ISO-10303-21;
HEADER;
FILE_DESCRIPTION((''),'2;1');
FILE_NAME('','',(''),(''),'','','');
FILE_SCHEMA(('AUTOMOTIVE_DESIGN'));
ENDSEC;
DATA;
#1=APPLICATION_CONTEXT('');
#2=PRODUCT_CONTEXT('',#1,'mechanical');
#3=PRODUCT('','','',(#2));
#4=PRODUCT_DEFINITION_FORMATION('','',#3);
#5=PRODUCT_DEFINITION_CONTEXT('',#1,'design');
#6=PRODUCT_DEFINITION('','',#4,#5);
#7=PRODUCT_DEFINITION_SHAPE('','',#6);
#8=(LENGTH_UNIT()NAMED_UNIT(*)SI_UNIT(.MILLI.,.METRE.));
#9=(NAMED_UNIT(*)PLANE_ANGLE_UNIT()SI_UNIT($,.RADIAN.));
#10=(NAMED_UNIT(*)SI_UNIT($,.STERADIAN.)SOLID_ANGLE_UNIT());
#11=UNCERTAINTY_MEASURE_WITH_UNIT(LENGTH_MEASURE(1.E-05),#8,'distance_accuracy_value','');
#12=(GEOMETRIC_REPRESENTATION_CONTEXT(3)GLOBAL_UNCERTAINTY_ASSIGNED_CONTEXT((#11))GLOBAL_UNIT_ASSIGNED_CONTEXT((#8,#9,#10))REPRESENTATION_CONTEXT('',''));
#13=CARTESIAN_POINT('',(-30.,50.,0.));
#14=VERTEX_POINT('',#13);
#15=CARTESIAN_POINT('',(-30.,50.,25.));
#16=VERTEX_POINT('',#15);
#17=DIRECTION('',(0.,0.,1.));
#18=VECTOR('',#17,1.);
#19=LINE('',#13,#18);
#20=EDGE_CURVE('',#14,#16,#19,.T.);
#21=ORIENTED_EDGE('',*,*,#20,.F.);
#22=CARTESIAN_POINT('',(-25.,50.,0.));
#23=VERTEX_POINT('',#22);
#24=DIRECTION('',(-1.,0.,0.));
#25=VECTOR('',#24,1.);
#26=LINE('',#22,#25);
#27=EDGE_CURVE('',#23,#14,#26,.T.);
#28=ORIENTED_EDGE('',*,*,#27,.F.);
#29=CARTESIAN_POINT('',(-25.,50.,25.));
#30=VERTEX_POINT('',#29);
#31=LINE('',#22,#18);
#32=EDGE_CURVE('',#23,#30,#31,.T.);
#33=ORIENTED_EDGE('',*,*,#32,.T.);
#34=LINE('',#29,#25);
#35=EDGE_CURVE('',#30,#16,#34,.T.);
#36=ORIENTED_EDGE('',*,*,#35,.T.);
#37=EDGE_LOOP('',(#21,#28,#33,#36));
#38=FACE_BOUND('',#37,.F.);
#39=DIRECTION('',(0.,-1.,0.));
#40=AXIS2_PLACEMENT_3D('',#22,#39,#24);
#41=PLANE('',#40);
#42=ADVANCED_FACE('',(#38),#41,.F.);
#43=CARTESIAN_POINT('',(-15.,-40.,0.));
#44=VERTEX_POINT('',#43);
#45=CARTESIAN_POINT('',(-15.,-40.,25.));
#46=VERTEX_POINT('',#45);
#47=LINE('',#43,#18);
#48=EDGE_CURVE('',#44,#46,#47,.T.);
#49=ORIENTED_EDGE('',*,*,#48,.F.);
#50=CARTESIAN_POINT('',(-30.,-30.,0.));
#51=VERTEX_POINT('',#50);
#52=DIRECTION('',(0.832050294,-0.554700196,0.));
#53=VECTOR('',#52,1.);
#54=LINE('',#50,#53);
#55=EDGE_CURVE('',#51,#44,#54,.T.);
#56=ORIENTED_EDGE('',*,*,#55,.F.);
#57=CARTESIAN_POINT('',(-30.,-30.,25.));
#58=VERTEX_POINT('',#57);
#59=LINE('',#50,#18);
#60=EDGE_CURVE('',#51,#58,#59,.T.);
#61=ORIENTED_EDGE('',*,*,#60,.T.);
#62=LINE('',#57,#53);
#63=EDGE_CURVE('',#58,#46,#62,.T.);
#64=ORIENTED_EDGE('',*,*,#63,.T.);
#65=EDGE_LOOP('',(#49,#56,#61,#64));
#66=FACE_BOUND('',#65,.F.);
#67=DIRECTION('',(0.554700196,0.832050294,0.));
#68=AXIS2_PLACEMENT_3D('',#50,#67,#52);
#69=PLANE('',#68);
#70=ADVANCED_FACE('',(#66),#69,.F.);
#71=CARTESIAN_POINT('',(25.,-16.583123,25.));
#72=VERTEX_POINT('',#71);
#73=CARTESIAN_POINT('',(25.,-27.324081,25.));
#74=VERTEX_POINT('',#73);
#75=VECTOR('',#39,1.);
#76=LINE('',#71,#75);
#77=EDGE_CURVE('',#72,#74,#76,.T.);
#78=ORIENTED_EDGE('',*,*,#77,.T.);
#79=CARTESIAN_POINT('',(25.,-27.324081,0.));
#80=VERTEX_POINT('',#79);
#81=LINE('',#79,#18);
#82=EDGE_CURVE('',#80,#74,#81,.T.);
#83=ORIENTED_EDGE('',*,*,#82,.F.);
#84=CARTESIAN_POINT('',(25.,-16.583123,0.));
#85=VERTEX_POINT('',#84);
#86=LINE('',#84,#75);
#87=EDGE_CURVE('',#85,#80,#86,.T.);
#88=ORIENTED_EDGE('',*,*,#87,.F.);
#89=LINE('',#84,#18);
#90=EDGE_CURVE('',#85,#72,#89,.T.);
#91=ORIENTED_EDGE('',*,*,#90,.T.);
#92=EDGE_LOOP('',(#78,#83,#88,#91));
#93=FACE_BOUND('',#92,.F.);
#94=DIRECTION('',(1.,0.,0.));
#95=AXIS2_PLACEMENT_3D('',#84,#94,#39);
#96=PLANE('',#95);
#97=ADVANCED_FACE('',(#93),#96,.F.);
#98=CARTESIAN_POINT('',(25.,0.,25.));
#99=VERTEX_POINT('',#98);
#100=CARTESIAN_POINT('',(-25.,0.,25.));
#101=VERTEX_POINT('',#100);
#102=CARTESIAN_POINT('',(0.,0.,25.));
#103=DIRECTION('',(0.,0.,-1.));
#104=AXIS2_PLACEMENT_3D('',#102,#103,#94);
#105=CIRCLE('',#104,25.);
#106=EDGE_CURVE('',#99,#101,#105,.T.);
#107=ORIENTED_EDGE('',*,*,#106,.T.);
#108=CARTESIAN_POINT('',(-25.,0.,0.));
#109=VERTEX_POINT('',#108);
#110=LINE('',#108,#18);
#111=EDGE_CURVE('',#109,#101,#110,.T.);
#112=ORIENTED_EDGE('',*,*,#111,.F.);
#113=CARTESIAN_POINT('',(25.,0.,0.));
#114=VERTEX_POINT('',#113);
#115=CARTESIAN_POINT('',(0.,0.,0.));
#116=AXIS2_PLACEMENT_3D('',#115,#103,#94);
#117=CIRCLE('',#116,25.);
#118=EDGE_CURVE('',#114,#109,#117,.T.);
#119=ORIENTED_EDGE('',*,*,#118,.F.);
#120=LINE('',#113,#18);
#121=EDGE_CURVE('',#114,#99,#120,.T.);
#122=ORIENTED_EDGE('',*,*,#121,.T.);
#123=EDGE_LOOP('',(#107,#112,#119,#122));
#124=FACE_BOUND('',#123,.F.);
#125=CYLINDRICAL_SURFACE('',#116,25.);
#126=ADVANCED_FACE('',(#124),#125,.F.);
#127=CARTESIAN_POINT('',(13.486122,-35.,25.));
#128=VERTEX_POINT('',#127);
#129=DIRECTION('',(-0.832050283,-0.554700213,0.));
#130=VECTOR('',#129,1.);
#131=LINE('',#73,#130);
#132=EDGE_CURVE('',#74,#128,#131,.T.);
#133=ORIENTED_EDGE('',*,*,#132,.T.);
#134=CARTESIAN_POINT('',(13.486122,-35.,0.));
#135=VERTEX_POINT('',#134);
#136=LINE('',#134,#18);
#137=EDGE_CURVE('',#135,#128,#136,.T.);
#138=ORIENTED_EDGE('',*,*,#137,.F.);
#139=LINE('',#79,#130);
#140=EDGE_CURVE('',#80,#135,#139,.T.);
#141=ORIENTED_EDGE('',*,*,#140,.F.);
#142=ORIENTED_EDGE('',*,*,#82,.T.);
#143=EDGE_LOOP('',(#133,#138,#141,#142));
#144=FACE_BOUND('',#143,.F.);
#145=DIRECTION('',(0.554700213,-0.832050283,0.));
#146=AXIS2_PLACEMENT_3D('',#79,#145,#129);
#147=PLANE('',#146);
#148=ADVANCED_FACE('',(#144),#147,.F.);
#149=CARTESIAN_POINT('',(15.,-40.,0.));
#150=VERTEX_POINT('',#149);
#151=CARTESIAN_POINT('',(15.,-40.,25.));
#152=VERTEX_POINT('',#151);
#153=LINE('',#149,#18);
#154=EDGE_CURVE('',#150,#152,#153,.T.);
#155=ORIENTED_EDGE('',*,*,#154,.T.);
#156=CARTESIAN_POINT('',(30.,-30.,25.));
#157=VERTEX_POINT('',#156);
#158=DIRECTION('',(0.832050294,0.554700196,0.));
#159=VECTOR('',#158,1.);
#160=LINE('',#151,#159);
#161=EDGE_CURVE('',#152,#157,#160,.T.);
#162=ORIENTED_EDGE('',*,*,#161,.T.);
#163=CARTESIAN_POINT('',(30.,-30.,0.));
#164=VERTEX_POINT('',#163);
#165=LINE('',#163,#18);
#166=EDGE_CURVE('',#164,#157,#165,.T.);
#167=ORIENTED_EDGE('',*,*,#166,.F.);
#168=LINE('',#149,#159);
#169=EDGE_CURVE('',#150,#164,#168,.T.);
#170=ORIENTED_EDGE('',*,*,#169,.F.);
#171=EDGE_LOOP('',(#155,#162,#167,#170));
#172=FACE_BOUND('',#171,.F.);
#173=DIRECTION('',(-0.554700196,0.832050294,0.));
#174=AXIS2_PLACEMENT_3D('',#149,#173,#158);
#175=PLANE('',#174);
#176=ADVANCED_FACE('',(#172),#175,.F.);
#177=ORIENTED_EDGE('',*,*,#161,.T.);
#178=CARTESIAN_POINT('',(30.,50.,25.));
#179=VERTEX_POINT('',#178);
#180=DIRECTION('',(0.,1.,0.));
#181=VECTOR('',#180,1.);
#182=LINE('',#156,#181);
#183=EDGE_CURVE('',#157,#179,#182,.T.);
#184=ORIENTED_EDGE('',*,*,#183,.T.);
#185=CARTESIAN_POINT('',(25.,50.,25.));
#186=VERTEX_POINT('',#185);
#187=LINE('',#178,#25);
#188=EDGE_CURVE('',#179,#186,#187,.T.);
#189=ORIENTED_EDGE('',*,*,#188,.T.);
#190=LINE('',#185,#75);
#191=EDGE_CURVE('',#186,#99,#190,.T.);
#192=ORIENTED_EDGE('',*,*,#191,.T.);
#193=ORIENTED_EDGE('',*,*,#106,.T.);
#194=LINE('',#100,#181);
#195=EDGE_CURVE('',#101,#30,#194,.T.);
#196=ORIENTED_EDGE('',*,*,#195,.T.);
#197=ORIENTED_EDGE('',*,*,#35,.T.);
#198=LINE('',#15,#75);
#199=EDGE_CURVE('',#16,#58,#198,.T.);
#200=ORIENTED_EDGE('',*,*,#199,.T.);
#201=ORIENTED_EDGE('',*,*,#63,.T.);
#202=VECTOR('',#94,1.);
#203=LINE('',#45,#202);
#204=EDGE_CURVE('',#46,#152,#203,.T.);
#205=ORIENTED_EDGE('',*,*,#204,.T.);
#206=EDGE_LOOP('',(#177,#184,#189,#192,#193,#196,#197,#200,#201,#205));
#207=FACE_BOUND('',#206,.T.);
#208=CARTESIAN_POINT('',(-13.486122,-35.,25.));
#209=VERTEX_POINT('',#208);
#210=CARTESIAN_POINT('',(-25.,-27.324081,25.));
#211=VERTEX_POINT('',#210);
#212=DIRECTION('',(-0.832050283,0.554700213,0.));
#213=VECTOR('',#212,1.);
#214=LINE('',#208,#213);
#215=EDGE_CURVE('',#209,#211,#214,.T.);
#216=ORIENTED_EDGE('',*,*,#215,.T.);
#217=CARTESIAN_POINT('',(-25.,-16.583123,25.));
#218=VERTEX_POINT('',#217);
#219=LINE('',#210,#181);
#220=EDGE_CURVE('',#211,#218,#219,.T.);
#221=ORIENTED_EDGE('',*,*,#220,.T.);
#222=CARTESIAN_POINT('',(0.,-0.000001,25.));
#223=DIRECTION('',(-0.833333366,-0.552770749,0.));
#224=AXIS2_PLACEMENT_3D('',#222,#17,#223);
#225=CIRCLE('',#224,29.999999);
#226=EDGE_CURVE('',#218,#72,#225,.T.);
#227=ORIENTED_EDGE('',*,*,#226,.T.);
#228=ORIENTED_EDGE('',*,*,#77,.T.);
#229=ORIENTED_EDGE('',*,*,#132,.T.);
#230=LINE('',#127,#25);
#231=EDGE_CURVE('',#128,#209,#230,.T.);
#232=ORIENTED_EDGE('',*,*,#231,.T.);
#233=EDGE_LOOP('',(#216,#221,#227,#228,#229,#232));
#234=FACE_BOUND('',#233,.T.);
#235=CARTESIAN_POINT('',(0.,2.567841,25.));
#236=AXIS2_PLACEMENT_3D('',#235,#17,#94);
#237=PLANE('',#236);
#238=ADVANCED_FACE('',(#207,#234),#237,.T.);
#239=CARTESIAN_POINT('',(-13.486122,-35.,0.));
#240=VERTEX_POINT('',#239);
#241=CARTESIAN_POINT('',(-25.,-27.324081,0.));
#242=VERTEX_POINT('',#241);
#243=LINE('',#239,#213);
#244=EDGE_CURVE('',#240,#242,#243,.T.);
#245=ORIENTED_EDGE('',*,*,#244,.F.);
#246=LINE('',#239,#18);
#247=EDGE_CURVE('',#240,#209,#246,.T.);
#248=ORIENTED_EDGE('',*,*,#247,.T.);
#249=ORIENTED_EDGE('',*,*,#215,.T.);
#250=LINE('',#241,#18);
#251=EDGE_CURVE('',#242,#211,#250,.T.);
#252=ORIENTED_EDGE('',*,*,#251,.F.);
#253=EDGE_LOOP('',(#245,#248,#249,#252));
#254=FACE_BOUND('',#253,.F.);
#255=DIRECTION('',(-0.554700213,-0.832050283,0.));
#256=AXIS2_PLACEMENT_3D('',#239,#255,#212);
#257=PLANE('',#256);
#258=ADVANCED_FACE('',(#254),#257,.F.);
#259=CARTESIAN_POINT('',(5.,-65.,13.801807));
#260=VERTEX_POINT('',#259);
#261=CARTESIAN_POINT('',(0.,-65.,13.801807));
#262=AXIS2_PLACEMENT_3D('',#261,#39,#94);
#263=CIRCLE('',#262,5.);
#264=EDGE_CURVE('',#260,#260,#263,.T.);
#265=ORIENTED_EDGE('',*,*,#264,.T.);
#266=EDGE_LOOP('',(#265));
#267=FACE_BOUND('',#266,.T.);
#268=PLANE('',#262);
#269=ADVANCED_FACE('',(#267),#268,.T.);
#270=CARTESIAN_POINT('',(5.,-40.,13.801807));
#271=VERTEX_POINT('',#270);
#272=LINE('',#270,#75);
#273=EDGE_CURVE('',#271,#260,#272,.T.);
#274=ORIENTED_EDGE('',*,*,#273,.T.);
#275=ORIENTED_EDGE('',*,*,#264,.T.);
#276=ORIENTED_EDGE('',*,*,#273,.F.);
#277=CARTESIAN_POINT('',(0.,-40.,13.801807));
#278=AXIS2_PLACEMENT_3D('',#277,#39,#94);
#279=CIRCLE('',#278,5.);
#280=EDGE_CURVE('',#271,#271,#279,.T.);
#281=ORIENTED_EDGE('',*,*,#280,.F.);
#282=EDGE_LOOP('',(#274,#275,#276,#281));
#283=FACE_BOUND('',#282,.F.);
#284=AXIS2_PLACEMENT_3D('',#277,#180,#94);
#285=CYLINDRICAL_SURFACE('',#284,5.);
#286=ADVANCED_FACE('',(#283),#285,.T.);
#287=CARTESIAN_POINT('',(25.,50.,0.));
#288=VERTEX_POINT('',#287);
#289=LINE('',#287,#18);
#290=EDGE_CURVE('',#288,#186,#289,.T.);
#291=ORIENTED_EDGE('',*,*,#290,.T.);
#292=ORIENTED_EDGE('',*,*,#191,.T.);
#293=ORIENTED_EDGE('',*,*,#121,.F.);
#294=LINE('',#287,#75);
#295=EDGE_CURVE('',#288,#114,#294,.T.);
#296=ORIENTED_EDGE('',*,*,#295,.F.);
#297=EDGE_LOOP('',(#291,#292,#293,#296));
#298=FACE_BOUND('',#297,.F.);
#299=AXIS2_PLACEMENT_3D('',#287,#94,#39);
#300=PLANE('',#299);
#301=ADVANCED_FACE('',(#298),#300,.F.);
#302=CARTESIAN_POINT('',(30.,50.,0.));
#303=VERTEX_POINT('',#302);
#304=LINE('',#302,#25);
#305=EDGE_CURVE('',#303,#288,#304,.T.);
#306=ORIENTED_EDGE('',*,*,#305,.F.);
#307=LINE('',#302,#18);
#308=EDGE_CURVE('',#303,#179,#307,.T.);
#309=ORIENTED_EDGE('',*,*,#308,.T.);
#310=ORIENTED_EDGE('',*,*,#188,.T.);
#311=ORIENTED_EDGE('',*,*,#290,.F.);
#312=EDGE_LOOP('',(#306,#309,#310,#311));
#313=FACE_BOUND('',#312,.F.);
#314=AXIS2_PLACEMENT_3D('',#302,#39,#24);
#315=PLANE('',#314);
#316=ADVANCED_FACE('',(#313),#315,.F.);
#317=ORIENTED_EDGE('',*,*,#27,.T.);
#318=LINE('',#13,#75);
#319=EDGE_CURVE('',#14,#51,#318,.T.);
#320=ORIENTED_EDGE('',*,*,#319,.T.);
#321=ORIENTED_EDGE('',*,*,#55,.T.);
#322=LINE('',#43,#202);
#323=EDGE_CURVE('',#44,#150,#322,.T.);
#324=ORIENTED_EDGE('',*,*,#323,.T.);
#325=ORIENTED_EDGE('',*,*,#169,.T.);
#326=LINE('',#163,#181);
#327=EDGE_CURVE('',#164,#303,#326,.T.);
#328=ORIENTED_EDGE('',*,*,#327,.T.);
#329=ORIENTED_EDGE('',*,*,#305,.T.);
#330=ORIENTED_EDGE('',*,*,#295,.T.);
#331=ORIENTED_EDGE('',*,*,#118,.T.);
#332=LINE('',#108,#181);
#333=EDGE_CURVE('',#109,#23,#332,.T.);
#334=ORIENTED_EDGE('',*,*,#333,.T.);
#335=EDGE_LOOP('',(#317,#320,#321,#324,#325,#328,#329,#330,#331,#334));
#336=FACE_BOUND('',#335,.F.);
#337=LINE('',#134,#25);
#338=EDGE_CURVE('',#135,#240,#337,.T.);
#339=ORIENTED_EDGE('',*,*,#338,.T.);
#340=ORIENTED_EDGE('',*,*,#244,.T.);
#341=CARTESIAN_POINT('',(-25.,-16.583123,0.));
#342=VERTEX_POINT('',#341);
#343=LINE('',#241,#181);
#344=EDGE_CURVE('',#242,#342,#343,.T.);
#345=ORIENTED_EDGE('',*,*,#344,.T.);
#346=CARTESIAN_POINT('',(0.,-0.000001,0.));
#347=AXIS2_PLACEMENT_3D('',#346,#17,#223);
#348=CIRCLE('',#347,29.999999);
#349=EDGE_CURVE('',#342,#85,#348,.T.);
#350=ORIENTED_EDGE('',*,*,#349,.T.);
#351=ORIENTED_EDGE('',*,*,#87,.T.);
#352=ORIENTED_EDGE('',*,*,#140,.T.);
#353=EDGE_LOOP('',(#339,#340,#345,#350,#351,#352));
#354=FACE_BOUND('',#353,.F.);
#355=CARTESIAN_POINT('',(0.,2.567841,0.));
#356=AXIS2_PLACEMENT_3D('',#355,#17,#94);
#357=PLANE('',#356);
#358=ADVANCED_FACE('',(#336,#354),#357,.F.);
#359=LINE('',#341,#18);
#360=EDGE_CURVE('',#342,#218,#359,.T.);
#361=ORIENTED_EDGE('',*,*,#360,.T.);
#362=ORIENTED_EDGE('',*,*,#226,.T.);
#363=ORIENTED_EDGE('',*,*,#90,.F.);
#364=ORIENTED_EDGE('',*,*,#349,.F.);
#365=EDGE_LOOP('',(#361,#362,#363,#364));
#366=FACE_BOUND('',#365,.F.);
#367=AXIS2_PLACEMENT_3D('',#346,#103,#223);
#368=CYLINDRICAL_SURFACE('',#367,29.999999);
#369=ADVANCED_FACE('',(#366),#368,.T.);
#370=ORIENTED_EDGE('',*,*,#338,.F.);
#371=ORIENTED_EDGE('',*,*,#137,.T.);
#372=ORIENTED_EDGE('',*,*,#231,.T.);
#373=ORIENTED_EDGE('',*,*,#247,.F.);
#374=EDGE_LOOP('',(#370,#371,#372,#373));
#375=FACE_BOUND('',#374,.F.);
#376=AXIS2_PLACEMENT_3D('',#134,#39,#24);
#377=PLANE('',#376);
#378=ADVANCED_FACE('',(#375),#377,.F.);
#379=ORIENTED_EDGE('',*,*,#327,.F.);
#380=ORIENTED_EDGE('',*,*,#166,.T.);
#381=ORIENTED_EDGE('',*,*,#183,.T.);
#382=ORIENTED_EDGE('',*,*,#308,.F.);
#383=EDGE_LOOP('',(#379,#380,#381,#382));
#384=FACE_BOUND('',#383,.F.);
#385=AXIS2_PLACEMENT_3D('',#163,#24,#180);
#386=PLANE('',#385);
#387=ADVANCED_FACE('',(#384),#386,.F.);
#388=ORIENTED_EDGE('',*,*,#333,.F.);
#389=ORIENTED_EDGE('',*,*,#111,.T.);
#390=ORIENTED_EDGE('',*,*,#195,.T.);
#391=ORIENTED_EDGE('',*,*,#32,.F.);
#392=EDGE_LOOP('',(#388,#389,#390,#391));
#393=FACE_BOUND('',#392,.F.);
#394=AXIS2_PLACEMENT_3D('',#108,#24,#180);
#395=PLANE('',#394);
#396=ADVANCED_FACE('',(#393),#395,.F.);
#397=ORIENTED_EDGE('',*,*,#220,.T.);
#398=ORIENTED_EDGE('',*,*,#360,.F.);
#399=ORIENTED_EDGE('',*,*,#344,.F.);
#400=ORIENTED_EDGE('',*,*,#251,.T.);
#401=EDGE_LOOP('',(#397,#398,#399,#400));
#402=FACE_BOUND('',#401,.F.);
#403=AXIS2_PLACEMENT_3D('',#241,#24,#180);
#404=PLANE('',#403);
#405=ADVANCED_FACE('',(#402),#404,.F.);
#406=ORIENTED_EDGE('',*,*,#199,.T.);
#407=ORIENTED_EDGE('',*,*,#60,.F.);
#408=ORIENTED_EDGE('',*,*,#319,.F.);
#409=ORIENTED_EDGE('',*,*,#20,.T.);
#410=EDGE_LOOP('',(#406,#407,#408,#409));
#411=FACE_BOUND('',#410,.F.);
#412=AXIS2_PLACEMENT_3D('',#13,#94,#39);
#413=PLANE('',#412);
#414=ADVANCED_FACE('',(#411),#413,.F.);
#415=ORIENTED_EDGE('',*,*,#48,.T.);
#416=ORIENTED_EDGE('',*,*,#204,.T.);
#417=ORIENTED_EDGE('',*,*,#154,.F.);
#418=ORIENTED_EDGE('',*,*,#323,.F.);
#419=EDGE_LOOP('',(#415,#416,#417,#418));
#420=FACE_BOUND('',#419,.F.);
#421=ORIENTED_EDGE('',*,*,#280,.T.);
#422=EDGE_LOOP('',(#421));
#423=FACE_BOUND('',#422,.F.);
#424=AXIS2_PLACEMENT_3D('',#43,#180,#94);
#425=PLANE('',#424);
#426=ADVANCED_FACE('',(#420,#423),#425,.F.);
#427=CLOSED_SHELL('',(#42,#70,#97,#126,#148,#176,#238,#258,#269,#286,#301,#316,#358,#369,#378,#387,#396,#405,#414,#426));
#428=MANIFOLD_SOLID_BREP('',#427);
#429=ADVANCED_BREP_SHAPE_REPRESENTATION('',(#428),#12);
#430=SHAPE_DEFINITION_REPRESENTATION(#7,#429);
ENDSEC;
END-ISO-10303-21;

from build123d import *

# Parameters (mm, degrees)
F1_DEPTH = 25
F2_R     = 5
F3_DEPTH = 25


with BuildPart() as f1:
    # F0 (on Top) → F1 (new body)
    with BuildSketch(Plane.XY):
        with BuildLine():
            ThreePointArc((25, 0), (0, -25), (-25, 0))
            Line((-25, 0), (-25, 50))
            Line((-25, 50), (-30, 50))
            Line((-30, 50), (-30, 0))
            Line((-30, 0), (-30, -30))
            Line((-30, -30), (-15, -40))
            Line((-15, -40), (15, -40))
            Line((15, -40), (30, -30))
            Line((30, -30), (30, 0))
            Line((30, 0), (30, 50))
            Line((30, 50), (25, 50))
            Line((25, 50), (25, 0))
        make_face()
        with BuildLine():
            Line((-25, -27.324081), (-25, -16.583123))
            ThreePointArc((-25, -16.583123), (0, -30), (25, -16.583123))
            Line((25, -16.583123), (25, -27.324081))
            Line((25, -27.324081), (13.486122, -35))
            Line((13.486122, -35), (-13.486122, -35))
            Line((-13.486122, -35), (-25, -27.324081))
        make_face(mode=Mode.SUBTRACT)
    extrude(amount=F1_DEPTH)

    # F2 (on face) → F3 (join)
    with BuildSketch(Plane.XZ.offset(40)):
        with Locations((0, 13.801807)):
            Circle(F2_R)
    extrude(amount=F3_DEPTH)


solid = f1.part
